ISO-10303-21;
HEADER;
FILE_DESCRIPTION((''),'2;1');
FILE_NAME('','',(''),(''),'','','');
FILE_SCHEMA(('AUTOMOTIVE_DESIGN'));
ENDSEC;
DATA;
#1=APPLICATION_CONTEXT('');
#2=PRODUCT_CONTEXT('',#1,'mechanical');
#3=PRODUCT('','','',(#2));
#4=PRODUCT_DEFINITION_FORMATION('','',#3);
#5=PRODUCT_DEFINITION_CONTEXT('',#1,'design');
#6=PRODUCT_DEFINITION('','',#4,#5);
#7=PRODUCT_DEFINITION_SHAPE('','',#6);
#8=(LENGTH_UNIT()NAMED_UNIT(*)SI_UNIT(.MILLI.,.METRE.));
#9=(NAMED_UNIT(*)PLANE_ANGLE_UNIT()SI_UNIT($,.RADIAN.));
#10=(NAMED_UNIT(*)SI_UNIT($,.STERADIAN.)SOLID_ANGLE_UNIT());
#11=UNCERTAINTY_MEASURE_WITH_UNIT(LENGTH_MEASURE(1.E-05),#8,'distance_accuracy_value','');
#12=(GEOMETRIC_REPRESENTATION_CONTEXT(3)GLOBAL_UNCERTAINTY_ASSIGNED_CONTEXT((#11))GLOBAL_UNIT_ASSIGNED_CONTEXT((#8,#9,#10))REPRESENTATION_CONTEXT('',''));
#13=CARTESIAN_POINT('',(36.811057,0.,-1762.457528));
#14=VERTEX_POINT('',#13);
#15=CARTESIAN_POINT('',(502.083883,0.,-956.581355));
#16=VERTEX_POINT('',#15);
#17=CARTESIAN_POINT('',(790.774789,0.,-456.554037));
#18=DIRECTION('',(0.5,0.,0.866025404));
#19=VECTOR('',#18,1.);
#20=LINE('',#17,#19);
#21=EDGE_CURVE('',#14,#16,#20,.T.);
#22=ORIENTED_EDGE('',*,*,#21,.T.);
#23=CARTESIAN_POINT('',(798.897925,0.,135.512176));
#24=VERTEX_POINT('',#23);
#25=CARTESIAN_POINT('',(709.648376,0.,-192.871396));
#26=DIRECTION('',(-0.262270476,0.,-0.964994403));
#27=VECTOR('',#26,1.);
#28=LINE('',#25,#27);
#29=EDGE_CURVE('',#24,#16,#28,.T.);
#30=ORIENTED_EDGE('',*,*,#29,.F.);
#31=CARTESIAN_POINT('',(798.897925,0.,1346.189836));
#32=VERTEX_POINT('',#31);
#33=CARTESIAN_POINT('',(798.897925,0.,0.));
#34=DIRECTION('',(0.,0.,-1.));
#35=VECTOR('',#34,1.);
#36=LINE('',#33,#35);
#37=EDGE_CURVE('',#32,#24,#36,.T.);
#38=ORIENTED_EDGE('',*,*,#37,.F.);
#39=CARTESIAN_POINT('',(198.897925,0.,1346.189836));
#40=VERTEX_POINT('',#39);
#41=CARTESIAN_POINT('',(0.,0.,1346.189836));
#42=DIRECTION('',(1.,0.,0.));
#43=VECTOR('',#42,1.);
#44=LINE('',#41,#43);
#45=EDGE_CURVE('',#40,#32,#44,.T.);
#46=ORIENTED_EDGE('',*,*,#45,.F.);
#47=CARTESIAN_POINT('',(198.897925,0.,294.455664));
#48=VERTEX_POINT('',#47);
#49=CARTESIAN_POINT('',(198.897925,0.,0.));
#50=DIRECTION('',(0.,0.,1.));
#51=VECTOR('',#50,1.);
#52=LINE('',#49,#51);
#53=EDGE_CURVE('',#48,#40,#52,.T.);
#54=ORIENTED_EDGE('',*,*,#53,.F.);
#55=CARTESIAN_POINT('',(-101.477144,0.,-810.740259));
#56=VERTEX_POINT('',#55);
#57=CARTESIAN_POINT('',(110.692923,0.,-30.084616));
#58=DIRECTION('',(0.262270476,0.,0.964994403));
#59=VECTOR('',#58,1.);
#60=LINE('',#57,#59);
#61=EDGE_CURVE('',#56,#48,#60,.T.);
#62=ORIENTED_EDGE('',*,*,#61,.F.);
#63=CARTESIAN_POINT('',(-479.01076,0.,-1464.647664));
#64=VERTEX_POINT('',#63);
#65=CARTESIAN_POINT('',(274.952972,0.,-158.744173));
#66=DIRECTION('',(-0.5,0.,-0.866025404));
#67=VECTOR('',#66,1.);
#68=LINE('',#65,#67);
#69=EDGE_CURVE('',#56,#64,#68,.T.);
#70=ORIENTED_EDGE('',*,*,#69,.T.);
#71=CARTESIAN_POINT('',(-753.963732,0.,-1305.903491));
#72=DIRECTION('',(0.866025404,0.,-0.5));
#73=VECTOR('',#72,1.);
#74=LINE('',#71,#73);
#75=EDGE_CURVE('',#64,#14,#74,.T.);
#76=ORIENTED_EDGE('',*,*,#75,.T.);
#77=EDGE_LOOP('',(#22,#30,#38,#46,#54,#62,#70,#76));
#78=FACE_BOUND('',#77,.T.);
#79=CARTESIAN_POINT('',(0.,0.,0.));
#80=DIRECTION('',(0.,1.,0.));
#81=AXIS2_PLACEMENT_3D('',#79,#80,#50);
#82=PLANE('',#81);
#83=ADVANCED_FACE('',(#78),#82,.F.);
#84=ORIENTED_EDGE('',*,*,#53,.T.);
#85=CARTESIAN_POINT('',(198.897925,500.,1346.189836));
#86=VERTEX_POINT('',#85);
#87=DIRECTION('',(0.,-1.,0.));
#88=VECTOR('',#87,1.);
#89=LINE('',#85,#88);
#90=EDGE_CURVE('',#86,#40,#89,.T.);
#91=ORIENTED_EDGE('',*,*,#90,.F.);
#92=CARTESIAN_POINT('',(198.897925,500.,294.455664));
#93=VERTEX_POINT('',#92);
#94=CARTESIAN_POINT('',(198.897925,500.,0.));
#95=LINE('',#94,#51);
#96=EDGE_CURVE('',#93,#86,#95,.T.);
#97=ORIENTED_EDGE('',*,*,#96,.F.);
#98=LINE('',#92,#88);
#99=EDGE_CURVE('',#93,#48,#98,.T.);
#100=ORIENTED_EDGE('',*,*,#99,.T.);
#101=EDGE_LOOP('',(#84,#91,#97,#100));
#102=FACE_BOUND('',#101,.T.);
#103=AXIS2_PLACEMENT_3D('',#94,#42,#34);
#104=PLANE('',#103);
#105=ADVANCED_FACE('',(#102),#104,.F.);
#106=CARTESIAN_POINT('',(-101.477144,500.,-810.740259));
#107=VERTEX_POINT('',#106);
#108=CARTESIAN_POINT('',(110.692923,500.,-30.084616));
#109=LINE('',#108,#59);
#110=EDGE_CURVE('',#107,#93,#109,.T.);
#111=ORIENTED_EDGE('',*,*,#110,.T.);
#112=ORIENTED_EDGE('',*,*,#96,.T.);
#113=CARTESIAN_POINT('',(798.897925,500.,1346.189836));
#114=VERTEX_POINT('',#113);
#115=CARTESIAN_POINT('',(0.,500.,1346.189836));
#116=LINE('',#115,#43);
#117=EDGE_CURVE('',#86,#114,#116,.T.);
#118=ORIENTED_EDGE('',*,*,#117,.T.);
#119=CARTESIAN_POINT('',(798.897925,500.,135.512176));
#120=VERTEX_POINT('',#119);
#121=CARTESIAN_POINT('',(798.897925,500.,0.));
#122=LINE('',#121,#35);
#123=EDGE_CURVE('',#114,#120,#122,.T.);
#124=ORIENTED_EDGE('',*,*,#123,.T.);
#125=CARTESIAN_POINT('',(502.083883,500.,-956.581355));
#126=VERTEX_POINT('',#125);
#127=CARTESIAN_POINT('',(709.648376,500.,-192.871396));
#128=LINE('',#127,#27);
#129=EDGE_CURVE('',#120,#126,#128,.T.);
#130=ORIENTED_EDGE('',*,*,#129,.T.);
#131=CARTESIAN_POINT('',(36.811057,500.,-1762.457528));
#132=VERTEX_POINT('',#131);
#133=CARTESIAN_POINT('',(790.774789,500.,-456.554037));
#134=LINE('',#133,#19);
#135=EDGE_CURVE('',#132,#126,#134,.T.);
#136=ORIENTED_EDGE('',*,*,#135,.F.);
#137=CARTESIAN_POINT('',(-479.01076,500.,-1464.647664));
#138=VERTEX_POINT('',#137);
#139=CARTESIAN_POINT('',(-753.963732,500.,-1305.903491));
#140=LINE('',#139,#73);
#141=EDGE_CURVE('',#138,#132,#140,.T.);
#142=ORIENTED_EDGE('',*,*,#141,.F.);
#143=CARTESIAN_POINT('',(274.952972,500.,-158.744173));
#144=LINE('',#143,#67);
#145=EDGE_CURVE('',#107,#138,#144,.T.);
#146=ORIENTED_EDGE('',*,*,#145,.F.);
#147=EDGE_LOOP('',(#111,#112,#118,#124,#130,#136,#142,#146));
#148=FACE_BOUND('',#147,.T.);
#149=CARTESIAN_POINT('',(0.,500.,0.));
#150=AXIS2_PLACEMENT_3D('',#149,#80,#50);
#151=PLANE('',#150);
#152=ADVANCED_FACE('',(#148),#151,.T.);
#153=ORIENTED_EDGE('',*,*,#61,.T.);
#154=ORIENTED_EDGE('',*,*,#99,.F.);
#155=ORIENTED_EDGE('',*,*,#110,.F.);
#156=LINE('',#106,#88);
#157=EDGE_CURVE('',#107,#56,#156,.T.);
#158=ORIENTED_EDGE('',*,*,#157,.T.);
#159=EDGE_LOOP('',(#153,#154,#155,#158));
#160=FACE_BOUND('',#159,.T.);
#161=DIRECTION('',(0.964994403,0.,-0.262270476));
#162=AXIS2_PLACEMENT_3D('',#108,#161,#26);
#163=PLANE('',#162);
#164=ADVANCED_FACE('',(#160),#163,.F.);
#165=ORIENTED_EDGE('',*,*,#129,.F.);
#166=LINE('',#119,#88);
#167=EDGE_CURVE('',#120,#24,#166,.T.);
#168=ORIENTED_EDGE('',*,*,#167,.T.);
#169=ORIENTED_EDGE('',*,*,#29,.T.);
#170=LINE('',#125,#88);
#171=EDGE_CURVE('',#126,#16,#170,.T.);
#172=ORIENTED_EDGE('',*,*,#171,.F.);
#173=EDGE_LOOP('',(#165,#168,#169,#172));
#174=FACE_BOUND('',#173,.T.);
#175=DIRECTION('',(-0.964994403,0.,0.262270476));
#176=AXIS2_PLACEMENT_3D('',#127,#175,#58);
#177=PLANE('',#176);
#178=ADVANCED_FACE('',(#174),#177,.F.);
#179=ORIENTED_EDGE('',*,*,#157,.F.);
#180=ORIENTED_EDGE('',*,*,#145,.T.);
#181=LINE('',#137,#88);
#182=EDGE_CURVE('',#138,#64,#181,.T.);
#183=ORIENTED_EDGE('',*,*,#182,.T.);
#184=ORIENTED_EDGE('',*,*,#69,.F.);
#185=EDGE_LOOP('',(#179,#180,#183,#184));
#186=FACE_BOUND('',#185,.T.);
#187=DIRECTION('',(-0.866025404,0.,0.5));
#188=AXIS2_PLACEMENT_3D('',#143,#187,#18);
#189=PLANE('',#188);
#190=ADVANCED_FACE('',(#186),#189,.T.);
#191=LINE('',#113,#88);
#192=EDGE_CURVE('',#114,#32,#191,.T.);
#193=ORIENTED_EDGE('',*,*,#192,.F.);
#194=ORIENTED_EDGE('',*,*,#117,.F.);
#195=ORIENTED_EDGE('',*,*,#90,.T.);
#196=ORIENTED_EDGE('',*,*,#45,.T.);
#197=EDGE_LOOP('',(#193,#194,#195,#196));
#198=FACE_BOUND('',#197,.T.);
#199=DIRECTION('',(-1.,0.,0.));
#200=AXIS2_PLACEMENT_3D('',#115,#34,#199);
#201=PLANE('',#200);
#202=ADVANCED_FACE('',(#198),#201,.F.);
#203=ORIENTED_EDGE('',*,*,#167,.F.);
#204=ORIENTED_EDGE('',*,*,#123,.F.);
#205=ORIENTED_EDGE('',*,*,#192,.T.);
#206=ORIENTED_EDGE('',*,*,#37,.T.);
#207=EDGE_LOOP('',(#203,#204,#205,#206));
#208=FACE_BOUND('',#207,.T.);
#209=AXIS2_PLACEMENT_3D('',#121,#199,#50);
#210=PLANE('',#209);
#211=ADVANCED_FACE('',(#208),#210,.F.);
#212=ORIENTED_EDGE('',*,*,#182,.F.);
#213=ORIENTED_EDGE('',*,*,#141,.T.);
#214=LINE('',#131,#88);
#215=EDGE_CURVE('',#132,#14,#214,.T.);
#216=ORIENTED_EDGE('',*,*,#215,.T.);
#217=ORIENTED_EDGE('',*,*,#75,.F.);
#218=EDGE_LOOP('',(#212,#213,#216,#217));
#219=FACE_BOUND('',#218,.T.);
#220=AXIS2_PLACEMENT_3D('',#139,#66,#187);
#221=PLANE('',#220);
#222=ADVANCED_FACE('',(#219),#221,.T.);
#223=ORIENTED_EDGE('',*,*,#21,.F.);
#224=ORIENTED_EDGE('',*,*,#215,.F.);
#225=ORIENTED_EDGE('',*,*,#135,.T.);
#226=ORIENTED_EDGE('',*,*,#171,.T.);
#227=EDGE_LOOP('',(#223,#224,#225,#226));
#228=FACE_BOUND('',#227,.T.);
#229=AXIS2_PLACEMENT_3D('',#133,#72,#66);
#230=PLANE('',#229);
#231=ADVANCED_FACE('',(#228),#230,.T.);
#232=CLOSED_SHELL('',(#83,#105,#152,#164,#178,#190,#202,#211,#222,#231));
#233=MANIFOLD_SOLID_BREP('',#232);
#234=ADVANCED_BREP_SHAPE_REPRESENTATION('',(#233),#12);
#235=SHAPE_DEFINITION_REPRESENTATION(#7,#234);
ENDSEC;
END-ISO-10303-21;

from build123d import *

# Parameters (mm, degrees)
BOSS_EXTRUDE1_DEPTH = 500
BOSS_EXTRUDE2_DEPTH = 500


with BuildPart() as part:
    # Sketch1 → Boss-Extrude1 (new body)
    with BuildSketch(Plane(origin=(0, 0, 0), x_dir=(1, 0, 0), z_dir=(0, 1, 0))):
        Polygon((-479.010759858, 1464.647663661), (-101.47714403, 810.74025948), (502.083882717, 956.5813546), (36.811056846, 1762.457528389), align=None)
    extrude(amount=BOSS_EXTRUDE1_DEPTH)

    # Sketch1_3 → Boss-Extrude2 (add)
    with BuildSketch(Plane(origin=(0, 0, 0), x_dir=(1, 0, 0), z_dir=(0, 1, 0))):
        Polygon((798.89792549, -1346.189835627), (798.89792549, -135.512175948), (502.083882717, 956.5813546), (-101.47714403, 810.74025948), (198.89792549, -294.455664187), (198.89792549, -1346.189835627), align=None)
    extrude(amount=BOSS_EXTRUDE2_DEPTH)


solid = part.part
